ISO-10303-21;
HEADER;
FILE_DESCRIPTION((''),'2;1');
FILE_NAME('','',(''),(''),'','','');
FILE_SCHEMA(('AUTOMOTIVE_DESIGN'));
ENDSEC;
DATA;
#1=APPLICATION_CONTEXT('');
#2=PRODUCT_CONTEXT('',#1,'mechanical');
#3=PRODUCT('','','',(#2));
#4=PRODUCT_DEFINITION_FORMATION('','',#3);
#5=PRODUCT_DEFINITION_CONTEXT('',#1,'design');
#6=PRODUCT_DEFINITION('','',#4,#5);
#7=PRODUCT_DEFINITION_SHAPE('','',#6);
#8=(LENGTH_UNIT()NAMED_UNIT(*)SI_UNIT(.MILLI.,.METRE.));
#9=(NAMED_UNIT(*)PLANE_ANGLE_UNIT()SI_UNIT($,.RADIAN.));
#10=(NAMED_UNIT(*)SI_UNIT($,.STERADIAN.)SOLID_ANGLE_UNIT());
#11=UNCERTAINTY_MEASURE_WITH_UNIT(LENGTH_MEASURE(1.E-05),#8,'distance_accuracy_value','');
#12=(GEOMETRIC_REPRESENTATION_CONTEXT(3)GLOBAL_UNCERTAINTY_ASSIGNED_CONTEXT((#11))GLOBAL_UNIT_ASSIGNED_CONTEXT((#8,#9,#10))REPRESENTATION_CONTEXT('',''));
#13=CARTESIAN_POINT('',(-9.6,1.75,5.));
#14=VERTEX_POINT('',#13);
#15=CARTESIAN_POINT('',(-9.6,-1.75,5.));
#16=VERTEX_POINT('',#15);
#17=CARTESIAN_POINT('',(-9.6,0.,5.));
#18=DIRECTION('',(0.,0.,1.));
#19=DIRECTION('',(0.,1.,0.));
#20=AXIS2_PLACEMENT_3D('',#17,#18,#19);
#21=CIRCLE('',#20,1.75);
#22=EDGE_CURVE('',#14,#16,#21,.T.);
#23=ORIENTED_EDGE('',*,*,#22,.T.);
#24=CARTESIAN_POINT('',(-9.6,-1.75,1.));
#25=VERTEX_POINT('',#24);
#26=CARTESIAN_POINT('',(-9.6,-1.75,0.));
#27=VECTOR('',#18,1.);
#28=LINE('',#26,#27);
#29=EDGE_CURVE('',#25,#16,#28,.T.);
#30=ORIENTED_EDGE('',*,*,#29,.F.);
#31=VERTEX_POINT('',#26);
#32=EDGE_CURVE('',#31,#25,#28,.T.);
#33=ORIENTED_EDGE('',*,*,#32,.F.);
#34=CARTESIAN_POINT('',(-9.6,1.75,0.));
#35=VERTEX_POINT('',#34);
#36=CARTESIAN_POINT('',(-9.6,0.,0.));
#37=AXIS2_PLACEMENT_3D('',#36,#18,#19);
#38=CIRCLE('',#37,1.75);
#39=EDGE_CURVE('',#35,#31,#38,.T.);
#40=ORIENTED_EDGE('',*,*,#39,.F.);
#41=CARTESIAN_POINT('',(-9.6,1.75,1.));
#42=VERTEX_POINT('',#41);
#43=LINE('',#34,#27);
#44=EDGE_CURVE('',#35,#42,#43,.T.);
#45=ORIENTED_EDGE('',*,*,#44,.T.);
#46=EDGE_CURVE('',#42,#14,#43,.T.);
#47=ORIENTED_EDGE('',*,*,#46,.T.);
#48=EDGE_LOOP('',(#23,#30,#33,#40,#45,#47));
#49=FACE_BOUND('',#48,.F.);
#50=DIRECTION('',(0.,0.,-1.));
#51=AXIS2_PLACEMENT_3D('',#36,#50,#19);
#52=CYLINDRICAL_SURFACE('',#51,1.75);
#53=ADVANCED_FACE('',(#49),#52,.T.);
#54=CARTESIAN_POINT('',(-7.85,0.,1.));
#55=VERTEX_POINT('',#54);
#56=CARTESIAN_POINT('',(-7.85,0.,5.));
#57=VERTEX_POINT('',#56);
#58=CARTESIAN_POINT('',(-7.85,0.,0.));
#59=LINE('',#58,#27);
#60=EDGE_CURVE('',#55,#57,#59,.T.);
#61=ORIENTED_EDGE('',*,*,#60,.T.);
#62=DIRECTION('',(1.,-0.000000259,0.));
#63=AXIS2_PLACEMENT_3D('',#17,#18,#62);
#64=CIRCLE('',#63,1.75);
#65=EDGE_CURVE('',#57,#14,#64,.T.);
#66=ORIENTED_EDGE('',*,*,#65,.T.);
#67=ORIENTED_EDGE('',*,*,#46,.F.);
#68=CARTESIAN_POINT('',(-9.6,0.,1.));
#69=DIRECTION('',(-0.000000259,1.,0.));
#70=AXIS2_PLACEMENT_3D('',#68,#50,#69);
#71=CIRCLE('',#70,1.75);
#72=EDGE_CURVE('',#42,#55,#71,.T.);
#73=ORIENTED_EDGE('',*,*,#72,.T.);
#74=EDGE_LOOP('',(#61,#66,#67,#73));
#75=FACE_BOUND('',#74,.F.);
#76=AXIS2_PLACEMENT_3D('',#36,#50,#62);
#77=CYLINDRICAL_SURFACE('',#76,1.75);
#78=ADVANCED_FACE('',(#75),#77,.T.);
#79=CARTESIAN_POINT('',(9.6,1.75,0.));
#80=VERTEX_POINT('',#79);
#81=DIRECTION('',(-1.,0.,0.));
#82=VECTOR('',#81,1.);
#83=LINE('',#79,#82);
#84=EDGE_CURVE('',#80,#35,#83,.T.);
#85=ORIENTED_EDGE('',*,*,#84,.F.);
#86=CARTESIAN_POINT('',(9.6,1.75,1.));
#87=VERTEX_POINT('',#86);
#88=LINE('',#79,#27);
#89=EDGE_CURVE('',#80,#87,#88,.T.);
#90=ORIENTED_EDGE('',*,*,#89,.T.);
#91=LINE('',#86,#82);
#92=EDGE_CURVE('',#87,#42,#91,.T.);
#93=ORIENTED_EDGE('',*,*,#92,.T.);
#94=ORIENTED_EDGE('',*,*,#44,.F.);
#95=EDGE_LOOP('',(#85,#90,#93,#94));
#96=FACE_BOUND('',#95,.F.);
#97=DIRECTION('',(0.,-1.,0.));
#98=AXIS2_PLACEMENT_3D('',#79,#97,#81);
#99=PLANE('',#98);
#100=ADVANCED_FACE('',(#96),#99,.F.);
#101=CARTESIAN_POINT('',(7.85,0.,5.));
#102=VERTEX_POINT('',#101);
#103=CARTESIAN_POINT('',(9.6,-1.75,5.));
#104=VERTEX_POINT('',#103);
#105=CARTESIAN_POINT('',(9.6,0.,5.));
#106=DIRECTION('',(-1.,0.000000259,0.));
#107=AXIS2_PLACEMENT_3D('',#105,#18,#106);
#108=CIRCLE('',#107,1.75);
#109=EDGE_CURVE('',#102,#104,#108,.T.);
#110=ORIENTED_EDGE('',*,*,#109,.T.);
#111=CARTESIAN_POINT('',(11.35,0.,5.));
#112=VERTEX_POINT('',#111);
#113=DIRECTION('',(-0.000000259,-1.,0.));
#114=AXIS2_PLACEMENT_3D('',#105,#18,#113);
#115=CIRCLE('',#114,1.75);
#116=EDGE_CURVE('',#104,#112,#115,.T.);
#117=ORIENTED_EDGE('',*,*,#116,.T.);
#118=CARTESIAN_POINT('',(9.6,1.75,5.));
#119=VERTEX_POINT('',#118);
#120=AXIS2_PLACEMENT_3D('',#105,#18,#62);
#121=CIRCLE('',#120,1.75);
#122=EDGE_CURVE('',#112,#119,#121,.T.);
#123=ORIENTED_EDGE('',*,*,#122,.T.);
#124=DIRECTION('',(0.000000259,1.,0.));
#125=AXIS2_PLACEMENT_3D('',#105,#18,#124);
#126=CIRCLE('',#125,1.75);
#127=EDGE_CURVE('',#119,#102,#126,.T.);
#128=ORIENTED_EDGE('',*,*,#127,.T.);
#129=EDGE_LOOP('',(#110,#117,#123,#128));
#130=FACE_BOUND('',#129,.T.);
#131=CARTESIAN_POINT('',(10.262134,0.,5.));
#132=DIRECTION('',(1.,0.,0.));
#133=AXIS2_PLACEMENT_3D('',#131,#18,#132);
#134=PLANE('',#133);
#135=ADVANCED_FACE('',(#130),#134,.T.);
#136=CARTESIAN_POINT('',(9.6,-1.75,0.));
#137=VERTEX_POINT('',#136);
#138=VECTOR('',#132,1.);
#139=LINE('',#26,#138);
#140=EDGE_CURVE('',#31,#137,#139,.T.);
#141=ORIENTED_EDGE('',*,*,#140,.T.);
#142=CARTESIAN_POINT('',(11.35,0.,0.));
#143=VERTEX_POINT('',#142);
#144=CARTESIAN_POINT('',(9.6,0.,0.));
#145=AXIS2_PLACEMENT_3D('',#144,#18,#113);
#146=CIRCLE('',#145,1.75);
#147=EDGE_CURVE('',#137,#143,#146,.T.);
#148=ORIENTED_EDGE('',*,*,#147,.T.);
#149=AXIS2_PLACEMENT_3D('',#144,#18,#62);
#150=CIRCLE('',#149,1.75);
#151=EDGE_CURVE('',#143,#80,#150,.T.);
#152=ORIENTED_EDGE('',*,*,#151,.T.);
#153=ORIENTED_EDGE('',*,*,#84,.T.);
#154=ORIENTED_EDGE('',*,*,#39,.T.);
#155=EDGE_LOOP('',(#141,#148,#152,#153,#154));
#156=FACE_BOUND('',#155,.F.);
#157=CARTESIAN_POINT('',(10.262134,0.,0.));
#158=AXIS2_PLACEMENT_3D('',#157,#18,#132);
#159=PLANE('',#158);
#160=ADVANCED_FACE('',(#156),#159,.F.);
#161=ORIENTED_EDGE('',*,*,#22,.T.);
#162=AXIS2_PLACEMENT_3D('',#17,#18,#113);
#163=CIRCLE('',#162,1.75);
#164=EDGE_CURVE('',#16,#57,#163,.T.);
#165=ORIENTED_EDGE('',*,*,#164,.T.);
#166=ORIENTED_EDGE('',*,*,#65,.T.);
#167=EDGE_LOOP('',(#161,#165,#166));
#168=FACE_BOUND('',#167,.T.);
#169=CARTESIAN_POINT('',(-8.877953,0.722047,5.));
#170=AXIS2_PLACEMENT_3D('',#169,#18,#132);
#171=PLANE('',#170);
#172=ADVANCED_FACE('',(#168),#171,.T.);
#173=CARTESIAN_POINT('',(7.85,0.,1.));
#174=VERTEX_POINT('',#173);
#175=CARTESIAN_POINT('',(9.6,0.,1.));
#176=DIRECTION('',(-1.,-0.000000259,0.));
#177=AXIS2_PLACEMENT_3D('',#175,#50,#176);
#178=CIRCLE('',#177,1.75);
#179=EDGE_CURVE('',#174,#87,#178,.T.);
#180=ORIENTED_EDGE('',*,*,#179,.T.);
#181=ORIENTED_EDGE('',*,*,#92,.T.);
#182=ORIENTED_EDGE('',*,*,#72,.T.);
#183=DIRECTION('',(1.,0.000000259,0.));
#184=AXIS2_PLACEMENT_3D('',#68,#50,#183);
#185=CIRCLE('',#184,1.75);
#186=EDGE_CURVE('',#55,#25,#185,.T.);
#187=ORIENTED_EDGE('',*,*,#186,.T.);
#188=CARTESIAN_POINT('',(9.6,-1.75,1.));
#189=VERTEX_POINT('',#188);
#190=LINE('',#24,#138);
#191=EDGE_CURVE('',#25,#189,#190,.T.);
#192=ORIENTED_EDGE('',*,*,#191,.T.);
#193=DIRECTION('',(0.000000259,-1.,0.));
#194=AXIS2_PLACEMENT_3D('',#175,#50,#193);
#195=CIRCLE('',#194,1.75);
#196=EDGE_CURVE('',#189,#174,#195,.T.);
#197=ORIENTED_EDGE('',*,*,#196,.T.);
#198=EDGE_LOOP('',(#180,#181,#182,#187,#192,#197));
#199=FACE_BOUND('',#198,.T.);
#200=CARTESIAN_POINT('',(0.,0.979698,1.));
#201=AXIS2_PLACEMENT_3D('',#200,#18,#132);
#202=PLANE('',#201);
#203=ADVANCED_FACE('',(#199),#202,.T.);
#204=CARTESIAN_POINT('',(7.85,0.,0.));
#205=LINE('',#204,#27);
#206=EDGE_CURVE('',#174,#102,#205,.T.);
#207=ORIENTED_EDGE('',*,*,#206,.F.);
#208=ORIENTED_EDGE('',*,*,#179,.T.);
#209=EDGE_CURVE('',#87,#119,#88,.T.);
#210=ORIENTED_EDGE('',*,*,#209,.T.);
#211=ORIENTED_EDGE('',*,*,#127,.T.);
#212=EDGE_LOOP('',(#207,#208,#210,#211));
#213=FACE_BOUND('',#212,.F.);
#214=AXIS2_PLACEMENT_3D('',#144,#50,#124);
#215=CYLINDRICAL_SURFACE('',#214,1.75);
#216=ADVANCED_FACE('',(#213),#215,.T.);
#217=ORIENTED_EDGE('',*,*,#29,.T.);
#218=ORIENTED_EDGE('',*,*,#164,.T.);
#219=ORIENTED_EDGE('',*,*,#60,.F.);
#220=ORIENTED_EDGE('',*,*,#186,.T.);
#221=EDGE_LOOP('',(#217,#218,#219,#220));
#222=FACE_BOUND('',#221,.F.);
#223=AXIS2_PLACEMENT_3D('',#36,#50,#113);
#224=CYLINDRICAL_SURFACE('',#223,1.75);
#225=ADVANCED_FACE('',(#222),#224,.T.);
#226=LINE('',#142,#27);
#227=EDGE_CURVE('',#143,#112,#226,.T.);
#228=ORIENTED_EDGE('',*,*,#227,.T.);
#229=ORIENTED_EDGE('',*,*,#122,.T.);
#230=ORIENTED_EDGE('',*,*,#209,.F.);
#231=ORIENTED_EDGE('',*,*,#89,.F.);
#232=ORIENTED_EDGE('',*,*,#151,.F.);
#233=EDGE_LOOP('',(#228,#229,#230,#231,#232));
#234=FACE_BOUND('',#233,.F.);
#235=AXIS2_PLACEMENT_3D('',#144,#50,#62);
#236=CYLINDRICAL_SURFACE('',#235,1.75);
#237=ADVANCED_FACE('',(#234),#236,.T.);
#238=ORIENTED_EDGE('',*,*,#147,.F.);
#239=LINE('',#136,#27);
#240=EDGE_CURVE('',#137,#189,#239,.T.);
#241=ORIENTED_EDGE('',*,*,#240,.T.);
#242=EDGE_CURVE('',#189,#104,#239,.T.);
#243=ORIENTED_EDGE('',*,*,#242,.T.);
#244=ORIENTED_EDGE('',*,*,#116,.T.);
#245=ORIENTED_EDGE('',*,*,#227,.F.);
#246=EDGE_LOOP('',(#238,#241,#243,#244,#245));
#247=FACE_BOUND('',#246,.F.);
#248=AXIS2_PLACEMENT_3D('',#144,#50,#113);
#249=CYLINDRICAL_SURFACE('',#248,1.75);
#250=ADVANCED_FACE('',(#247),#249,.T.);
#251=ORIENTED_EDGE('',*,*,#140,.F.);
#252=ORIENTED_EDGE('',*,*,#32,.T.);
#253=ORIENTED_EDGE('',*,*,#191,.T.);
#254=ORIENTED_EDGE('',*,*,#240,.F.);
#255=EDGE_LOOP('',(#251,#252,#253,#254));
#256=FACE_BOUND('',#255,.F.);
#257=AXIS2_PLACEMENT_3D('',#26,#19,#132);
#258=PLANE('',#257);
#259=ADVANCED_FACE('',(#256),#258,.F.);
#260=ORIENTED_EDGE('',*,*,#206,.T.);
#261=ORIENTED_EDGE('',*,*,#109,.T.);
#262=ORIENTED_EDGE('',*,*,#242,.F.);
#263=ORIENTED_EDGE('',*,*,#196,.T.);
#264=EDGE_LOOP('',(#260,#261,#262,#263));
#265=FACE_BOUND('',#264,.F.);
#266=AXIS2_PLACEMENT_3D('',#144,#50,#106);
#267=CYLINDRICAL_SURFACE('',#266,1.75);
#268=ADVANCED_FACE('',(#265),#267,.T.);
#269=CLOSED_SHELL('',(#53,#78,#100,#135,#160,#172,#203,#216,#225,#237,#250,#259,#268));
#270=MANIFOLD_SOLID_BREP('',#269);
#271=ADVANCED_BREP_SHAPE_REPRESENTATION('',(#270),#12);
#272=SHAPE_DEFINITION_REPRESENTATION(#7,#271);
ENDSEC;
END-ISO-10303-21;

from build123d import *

# Parameters (mm, degrees)
F1_DEPTH = 1
F2_DEPTH = 5


with BuildPart() as f1:
    # F0 (on Top) → F1 (new body)
    with BuildSketch(Plane.XY):
        with BuildLine():
            ThreePointArc((-9.6, 1.75), (-8.362563, 1.237437), (-7.85, 0))
            Line((-7.85, 0), (7.85, 0))
            ThreePointArc((7.85, 0), (8.362563, 1.237437), (9.6, 1.75))
            Line((9.6, 1.75), (-9.6, 1.75))
        make_face()
        with BuildLine():
            Line((7.85, 0), (-7.85, 0))
            ThreePointArc((-7.85, 0), (-8.362563, -1.237437), (-9.6, -1.75))
            Line((-9.6, -1.75), (9.6, -1.75))
            ThreePointArc((9.6, -1.75), (8.362563, -1.237437), (7.85, 0))
        make_face()
    extrude(amount=F1_DEPTH)

    # F0 (on Top) → F2 (join)
    with BuildSketch(Plane.XY):
        with BuildLine():
            Line((9.6, 1.75), (9.6, 0))
            Line((9.6, 0), (9.6, -1.75))
            ThreePointArc((9.6, -1.75), (10.837437, -1.237437), (11.35, 0))
            ThreePointArc((11.35, 0), (10.837437, 1.237437), (9.6, 1.75))
        make_face()
        with BuildLine():
            ThreePointArc((9.6, 1.75), (8.362563, 1.237437), (7.85, 0))
            Line((7.85, 0), (9.6, 0))
            Line((9.6, 0), (9.6, 1.75))
        make_face()
        with BuildLine():
            Line((9.6, 0), (7.85, 0))
            ThreePointArc((7.85, 0), (8.362563, -1.237437), (9.6, -1.75))
            Line((9.6, -1.75), (9.6, 0))
        make_face()
        with BuildLine():
            Line((-9.6, 0), (-7.85, 0))
            ThreePointArc((-7.85, 0), (-8.362563, 1.237437), (-9.6, 1.75))
            Line((-9.6, 1.75), (-9.6, 0))
        make_face()
        with BuildLine():
            ThreePointArc((-9.6, -1.75), (-8.362563, -1.237437), (-7.85, 0))
            Line((-7.85, 0), (-9.6, 0))
            Line((-9.6, 0), (-9.6, -1.75))
        make_face()
        with BuildLine():
            Line((-9.6, -1.75), (-9.6, 0))
            Line((-9.6, 0), (-9.6, 1.75))
            ThreePointArc((-9.6, 1.75), (-11.35, 0), (-9.6, -1.75))
        make_face()
    extrude(amount=F2_DEPTH)


solid = f1.part
